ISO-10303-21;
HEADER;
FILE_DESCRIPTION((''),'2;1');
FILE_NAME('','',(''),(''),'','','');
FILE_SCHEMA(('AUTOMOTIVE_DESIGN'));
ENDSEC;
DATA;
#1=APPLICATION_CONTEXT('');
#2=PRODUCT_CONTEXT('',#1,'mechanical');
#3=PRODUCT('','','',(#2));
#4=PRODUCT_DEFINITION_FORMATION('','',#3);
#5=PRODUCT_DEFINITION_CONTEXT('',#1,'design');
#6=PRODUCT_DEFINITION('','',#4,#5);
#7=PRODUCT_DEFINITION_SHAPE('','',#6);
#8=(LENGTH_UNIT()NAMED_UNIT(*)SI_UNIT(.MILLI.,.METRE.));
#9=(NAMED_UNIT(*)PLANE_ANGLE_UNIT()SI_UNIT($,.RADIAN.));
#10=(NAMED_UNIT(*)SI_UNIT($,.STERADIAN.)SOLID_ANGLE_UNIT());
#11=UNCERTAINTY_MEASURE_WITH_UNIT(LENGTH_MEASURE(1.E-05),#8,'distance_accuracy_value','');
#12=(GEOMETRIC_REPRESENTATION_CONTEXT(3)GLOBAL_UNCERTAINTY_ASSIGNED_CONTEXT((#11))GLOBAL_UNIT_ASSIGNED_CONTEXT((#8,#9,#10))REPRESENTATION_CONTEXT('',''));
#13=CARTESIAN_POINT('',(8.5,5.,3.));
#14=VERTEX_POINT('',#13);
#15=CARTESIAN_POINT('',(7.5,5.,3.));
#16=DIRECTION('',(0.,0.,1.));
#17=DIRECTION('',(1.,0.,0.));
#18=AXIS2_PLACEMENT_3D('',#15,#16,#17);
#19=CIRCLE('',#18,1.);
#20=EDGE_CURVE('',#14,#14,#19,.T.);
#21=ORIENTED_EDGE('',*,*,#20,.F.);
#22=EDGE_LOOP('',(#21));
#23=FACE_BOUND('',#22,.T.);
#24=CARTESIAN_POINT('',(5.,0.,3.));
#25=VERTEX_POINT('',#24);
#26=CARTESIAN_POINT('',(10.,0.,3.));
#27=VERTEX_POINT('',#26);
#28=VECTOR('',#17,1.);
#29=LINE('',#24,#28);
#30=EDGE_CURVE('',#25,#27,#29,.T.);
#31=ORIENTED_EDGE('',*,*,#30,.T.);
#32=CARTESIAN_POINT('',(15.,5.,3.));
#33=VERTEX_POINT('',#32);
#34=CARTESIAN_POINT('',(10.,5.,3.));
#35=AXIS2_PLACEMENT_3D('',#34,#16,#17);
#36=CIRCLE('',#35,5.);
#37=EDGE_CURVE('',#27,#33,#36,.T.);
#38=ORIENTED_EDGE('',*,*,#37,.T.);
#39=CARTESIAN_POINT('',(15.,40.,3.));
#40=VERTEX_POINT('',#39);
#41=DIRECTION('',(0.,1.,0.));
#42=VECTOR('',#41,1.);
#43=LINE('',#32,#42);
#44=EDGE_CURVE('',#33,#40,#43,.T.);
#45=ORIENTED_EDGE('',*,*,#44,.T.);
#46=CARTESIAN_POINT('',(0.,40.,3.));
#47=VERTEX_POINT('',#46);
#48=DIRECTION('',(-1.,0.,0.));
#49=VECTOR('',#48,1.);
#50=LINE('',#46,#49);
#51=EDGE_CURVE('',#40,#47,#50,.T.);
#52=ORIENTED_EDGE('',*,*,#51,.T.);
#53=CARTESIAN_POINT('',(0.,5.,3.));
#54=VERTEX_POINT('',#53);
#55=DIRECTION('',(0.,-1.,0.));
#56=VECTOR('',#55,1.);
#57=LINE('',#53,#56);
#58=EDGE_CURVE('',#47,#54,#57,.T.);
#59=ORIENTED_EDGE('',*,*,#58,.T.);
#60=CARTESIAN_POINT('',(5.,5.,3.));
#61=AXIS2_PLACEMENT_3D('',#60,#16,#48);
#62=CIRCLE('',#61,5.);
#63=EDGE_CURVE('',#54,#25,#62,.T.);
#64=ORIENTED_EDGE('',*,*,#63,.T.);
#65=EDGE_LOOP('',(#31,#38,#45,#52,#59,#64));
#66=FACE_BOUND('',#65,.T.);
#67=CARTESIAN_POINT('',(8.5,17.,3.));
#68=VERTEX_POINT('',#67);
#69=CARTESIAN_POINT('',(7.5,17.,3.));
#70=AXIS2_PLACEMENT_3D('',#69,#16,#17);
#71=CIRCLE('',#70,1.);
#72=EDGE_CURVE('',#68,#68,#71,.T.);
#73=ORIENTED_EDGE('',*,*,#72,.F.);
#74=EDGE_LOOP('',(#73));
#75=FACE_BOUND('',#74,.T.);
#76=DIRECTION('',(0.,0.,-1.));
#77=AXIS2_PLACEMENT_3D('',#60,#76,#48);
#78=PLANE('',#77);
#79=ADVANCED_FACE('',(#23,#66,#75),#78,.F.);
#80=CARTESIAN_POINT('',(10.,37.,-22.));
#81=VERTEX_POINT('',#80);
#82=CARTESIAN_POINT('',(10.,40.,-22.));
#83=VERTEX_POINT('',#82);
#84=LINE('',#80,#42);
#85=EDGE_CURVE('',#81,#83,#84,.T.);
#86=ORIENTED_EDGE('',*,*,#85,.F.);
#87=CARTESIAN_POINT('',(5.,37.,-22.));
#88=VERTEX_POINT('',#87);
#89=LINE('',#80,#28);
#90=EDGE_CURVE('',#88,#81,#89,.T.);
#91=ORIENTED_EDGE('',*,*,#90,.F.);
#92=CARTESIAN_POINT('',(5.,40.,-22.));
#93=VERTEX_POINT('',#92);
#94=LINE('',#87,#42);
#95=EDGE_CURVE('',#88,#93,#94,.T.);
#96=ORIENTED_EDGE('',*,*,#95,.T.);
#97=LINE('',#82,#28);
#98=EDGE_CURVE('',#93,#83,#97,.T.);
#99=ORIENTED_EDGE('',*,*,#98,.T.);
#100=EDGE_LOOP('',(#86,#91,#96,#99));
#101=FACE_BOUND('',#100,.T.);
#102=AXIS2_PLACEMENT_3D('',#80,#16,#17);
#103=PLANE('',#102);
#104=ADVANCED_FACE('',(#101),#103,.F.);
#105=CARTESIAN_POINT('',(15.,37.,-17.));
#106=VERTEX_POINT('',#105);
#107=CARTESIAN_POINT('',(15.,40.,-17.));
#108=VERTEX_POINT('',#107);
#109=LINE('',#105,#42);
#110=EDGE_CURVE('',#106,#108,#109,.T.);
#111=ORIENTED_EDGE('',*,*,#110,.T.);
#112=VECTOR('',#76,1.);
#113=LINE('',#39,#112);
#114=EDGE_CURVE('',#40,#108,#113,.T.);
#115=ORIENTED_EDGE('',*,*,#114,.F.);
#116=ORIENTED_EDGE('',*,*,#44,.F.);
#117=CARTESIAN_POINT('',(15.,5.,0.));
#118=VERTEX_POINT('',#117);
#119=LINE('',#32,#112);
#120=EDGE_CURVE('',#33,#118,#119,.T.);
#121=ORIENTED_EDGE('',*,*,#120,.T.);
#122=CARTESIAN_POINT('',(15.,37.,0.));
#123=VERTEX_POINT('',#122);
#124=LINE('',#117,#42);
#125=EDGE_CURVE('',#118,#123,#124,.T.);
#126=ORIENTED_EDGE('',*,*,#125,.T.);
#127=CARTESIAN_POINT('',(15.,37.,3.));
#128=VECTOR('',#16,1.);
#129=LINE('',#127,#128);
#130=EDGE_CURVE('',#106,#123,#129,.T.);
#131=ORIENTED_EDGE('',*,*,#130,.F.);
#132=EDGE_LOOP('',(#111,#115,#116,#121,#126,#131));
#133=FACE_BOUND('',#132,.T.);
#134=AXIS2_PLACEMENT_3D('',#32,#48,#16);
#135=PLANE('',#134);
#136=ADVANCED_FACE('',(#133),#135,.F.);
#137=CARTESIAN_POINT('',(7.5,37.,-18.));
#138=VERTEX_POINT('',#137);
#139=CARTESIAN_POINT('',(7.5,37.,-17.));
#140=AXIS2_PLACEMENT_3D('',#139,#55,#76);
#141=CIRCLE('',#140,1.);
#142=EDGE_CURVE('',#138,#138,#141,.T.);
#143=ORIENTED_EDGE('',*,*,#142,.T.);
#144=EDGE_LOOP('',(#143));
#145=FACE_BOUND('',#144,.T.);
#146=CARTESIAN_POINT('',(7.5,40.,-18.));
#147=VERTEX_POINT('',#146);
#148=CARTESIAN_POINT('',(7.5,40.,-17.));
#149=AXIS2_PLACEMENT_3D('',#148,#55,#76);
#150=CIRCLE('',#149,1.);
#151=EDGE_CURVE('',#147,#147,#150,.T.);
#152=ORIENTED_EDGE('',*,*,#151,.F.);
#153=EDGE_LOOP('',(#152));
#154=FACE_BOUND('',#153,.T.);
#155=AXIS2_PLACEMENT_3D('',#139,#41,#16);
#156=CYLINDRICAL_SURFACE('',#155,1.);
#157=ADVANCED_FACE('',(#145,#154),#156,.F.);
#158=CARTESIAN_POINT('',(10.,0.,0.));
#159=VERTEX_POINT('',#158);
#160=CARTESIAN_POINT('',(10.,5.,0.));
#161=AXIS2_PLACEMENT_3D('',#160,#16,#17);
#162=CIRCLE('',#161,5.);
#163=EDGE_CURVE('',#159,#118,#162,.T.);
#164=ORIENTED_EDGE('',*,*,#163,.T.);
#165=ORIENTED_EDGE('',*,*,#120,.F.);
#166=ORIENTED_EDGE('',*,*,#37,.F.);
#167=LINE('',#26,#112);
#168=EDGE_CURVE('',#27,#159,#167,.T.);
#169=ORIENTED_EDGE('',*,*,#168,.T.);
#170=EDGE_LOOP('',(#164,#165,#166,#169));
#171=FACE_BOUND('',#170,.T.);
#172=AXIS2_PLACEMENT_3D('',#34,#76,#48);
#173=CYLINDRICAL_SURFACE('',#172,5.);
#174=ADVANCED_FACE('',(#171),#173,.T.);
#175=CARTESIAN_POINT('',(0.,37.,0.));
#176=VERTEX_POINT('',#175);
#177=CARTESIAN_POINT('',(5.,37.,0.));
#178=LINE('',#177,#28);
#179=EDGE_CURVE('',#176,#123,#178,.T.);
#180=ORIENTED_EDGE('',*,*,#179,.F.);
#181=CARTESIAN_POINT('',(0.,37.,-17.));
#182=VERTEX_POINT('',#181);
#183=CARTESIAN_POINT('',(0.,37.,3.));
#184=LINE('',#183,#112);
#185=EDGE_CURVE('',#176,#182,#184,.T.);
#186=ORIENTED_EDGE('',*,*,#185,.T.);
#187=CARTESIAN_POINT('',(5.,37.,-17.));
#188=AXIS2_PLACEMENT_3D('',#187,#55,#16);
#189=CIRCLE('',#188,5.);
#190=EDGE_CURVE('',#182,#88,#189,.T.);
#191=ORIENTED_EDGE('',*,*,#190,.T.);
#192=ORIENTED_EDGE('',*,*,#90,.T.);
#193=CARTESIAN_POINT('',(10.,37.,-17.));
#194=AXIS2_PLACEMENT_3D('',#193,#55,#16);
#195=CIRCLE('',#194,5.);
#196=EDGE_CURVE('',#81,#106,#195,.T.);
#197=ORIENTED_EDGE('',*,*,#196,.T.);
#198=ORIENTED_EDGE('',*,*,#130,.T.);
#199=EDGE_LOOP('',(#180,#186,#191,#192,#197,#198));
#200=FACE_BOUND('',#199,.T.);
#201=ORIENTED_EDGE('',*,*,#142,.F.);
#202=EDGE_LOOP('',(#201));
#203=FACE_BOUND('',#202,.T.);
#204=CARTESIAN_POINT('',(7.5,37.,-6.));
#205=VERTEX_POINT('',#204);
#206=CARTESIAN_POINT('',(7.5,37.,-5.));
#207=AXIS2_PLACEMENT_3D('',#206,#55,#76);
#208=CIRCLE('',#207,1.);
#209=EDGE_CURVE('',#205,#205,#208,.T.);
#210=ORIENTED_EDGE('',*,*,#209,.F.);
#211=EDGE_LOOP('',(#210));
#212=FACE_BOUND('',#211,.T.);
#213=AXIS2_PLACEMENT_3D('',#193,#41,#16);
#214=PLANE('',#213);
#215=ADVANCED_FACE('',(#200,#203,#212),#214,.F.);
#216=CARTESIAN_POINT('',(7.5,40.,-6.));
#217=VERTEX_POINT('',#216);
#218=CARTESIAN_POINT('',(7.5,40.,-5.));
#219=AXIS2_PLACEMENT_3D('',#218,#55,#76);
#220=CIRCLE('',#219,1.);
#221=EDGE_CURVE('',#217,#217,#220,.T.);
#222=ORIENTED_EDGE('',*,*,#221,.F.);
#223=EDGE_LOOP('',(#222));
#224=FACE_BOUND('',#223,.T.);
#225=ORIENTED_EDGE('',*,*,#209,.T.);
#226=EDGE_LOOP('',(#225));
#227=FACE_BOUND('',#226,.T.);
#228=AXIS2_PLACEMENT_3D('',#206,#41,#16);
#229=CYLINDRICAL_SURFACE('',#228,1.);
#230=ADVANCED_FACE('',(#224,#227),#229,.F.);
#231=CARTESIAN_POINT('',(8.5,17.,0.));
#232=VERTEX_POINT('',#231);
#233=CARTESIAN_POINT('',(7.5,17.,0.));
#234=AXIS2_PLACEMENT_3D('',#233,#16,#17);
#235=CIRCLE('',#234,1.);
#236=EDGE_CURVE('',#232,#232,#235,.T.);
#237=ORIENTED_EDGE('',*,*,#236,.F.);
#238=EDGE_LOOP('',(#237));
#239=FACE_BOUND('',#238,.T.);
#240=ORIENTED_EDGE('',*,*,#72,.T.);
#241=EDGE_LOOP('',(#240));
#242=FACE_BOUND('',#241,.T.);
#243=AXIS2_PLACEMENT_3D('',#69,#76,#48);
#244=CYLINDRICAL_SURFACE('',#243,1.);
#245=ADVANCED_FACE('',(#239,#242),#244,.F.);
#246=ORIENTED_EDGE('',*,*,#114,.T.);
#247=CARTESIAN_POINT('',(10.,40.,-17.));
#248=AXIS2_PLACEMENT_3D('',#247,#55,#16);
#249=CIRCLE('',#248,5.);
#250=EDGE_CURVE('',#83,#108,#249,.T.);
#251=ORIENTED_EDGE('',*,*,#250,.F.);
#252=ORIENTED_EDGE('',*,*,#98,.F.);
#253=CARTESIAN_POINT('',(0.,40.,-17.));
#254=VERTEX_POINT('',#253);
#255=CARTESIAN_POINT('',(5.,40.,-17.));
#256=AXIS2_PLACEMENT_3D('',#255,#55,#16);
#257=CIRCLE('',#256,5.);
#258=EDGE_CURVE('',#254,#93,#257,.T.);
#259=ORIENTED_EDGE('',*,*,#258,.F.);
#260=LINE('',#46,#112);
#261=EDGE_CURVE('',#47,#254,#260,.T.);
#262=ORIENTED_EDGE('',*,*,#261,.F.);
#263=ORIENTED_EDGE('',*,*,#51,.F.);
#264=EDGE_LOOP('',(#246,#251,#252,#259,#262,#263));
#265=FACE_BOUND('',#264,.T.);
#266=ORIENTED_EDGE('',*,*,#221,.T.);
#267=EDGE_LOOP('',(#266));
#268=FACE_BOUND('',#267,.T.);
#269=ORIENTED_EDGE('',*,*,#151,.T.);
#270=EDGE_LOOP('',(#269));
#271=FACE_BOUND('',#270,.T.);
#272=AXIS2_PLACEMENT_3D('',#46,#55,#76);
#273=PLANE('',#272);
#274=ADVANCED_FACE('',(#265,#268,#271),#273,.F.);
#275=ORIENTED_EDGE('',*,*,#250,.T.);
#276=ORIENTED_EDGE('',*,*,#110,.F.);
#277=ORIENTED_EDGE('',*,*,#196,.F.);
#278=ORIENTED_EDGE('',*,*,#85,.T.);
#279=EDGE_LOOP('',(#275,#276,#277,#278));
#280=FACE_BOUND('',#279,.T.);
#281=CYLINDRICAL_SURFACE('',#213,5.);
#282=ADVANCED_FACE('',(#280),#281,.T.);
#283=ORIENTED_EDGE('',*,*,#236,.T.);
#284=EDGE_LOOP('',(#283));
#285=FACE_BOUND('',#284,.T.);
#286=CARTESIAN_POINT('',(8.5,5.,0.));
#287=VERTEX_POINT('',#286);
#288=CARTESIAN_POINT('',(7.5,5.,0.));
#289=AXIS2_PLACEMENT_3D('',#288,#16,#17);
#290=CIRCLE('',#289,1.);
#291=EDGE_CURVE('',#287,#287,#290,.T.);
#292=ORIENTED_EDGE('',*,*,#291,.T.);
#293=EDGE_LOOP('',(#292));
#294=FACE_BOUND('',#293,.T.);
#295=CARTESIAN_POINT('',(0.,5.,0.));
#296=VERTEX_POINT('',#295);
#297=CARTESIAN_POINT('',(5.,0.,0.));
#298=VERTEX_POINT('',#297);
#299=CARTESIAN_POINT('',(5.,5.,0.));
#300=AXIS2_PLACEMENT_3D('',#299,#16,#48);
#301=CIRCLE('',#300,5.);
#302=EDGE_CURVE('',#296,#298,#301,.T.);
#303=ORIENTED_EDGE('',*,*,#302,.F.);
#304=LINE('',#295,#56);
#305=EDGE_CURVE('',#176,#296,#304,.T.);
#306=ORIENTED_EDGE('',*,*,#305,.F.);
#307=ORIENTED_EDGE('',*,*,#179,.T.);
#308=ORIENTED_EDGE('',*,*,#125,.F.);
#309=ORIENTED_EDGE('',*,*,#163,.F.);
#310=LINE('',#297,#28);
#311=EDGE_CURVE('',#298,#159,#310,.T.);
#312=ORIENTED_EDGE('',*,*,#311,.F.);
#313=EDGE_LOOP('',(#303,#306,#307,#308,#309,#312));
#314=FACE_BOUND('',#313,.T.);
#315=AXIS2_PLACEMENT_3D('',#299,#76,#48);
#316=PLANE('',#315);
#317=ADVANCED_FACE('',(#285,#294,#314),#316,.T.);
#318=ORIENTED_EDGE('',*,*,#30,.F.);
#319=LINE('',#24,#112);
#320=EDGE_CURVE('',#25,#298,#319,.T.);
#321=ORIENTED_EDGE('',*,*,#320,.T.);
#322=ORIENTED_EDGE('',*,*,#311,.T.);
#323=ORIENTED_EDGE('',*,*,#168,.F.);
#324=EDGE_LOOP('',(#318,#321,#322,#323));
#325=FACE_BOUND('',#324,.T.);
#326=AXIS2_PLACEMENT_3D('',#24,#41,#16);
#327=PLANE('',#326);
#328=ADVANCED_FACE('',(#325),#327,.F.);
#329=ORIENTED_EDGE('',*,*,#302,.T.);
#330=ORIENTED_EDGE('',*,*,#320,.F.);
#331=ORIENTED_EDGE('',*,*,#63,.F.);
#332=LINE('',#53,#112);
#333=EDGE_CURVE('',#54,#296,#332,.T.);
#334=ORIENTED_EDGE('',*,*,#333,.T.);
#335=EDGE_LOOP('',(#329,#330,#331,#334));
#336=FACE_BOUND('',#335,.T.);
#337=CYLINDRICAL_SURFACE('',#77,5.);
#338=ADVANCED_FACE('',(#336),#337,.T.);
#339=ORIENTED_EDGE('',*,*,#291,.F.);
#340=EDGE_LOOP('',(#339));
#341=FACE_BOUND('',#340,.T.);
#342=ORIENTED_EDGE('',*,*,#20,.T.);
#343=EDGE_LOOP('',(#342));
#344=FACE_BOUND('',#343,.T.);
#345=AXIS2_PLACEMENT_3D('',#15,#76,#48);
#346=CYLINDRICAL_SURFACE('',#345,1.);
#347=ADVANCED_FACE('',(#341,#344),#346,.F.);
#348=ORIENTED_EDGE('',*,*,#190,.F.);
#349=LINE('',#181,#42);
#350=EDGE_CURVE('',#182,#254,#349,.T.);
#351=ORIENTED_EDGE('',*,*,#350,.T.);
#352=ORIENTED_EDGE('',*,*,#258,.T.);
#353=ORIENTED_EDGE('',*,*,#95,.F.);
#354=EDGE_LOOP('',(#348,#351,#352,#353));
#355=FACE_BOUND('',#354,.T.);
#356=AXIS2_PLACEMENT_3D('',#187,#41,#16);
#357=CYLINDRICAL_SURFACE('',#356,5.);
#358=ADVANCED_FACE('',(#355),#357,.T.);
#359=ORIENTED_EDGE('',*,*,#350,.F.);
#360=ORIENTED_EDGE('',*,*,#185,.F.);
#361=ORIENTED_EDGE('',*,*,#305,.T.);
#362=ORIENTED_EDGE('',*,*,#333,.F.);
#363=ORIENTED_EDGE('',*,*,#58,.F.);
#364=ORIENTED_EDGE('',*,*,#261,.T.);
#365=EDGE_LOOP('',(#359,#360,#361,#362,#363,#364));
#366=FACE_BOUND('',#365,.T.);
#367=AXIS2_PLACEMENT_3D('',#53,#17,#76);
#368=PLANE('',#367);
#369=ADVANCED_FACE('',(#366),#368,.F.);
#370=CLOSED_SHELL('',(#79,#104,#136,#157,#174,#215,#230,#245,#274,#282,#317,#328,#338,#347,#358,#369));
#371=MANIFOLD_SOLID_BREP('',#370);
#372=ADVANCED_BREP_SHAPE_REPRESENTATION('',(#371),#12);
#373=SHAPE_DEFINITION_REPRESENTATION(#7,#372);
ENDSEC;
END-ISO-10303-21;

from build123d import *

# Parameters (mm, degrees)
SKETCH_1_R      = 1
EXTRUDE_1_DEPTH = 3
SKETCH_2_R      = 1
EXTRUDE_2_DEPTH = 3


with BuildPart() as part:
    # 草图1 → 凸台-拉伸1 (new body)
    with BuildSketch(Plane.XY):
        with BuildLine():
            Line((5, 0), (10, 0))
            ThreePointArc((10, 0), (13.535533906, 1.464466094), (15, 5))
            Line((15, 5), (15, 40))
            Line((15, 40), (0, 40))
            Line((0, 40), (0, 5))
            ThreePointArc((0, 5), (1.464466094, 1.464466094), (5, 0))
        make_face()
        with Locations((7.5, 5)):
            Circle(SKETCH_1_R, mode=Mode.SUBTRACT)
        with Locations((7.5, 17)):
            Circle(SKETCH_1_R, mode=Mode.SUBTRACT)
    extrude(amount=EXTRUDE_1_DEPTH)

    # 草图2 → 凸台-拉伸2 (add)
    with BuildSketch(Plane(origin=(0, 40, 0), x_dir=(-1, 0, 0), z_dir=(0, -1, 0))):
        with BuildLine():
            Line((-15, -3), (0, -3))
            Line((0, -3), (0, 17))
            ThreePointArc((0, 17), (-1.464466094, 20.535533906), (-5, 22))
            Line((-5, 22), (-10, 22))
            ThreePointArc((-10, 22), (-13.535533906, 20.535533906), (-15, 17))
            Line((-15, 17), (-15, -3))
        make_face()
        with Locations((-7.5, 17)):
            Circle(SKETCH_2_R, mode=Mode.SUBTRACT)
        with Locations((-7.5, 5)):
            Circle(SKETCH_2_R, mode=Mode.SUBTRACT)
    extrude(amount=EXTRUDE_2_DEPTH)


solid = part.part
